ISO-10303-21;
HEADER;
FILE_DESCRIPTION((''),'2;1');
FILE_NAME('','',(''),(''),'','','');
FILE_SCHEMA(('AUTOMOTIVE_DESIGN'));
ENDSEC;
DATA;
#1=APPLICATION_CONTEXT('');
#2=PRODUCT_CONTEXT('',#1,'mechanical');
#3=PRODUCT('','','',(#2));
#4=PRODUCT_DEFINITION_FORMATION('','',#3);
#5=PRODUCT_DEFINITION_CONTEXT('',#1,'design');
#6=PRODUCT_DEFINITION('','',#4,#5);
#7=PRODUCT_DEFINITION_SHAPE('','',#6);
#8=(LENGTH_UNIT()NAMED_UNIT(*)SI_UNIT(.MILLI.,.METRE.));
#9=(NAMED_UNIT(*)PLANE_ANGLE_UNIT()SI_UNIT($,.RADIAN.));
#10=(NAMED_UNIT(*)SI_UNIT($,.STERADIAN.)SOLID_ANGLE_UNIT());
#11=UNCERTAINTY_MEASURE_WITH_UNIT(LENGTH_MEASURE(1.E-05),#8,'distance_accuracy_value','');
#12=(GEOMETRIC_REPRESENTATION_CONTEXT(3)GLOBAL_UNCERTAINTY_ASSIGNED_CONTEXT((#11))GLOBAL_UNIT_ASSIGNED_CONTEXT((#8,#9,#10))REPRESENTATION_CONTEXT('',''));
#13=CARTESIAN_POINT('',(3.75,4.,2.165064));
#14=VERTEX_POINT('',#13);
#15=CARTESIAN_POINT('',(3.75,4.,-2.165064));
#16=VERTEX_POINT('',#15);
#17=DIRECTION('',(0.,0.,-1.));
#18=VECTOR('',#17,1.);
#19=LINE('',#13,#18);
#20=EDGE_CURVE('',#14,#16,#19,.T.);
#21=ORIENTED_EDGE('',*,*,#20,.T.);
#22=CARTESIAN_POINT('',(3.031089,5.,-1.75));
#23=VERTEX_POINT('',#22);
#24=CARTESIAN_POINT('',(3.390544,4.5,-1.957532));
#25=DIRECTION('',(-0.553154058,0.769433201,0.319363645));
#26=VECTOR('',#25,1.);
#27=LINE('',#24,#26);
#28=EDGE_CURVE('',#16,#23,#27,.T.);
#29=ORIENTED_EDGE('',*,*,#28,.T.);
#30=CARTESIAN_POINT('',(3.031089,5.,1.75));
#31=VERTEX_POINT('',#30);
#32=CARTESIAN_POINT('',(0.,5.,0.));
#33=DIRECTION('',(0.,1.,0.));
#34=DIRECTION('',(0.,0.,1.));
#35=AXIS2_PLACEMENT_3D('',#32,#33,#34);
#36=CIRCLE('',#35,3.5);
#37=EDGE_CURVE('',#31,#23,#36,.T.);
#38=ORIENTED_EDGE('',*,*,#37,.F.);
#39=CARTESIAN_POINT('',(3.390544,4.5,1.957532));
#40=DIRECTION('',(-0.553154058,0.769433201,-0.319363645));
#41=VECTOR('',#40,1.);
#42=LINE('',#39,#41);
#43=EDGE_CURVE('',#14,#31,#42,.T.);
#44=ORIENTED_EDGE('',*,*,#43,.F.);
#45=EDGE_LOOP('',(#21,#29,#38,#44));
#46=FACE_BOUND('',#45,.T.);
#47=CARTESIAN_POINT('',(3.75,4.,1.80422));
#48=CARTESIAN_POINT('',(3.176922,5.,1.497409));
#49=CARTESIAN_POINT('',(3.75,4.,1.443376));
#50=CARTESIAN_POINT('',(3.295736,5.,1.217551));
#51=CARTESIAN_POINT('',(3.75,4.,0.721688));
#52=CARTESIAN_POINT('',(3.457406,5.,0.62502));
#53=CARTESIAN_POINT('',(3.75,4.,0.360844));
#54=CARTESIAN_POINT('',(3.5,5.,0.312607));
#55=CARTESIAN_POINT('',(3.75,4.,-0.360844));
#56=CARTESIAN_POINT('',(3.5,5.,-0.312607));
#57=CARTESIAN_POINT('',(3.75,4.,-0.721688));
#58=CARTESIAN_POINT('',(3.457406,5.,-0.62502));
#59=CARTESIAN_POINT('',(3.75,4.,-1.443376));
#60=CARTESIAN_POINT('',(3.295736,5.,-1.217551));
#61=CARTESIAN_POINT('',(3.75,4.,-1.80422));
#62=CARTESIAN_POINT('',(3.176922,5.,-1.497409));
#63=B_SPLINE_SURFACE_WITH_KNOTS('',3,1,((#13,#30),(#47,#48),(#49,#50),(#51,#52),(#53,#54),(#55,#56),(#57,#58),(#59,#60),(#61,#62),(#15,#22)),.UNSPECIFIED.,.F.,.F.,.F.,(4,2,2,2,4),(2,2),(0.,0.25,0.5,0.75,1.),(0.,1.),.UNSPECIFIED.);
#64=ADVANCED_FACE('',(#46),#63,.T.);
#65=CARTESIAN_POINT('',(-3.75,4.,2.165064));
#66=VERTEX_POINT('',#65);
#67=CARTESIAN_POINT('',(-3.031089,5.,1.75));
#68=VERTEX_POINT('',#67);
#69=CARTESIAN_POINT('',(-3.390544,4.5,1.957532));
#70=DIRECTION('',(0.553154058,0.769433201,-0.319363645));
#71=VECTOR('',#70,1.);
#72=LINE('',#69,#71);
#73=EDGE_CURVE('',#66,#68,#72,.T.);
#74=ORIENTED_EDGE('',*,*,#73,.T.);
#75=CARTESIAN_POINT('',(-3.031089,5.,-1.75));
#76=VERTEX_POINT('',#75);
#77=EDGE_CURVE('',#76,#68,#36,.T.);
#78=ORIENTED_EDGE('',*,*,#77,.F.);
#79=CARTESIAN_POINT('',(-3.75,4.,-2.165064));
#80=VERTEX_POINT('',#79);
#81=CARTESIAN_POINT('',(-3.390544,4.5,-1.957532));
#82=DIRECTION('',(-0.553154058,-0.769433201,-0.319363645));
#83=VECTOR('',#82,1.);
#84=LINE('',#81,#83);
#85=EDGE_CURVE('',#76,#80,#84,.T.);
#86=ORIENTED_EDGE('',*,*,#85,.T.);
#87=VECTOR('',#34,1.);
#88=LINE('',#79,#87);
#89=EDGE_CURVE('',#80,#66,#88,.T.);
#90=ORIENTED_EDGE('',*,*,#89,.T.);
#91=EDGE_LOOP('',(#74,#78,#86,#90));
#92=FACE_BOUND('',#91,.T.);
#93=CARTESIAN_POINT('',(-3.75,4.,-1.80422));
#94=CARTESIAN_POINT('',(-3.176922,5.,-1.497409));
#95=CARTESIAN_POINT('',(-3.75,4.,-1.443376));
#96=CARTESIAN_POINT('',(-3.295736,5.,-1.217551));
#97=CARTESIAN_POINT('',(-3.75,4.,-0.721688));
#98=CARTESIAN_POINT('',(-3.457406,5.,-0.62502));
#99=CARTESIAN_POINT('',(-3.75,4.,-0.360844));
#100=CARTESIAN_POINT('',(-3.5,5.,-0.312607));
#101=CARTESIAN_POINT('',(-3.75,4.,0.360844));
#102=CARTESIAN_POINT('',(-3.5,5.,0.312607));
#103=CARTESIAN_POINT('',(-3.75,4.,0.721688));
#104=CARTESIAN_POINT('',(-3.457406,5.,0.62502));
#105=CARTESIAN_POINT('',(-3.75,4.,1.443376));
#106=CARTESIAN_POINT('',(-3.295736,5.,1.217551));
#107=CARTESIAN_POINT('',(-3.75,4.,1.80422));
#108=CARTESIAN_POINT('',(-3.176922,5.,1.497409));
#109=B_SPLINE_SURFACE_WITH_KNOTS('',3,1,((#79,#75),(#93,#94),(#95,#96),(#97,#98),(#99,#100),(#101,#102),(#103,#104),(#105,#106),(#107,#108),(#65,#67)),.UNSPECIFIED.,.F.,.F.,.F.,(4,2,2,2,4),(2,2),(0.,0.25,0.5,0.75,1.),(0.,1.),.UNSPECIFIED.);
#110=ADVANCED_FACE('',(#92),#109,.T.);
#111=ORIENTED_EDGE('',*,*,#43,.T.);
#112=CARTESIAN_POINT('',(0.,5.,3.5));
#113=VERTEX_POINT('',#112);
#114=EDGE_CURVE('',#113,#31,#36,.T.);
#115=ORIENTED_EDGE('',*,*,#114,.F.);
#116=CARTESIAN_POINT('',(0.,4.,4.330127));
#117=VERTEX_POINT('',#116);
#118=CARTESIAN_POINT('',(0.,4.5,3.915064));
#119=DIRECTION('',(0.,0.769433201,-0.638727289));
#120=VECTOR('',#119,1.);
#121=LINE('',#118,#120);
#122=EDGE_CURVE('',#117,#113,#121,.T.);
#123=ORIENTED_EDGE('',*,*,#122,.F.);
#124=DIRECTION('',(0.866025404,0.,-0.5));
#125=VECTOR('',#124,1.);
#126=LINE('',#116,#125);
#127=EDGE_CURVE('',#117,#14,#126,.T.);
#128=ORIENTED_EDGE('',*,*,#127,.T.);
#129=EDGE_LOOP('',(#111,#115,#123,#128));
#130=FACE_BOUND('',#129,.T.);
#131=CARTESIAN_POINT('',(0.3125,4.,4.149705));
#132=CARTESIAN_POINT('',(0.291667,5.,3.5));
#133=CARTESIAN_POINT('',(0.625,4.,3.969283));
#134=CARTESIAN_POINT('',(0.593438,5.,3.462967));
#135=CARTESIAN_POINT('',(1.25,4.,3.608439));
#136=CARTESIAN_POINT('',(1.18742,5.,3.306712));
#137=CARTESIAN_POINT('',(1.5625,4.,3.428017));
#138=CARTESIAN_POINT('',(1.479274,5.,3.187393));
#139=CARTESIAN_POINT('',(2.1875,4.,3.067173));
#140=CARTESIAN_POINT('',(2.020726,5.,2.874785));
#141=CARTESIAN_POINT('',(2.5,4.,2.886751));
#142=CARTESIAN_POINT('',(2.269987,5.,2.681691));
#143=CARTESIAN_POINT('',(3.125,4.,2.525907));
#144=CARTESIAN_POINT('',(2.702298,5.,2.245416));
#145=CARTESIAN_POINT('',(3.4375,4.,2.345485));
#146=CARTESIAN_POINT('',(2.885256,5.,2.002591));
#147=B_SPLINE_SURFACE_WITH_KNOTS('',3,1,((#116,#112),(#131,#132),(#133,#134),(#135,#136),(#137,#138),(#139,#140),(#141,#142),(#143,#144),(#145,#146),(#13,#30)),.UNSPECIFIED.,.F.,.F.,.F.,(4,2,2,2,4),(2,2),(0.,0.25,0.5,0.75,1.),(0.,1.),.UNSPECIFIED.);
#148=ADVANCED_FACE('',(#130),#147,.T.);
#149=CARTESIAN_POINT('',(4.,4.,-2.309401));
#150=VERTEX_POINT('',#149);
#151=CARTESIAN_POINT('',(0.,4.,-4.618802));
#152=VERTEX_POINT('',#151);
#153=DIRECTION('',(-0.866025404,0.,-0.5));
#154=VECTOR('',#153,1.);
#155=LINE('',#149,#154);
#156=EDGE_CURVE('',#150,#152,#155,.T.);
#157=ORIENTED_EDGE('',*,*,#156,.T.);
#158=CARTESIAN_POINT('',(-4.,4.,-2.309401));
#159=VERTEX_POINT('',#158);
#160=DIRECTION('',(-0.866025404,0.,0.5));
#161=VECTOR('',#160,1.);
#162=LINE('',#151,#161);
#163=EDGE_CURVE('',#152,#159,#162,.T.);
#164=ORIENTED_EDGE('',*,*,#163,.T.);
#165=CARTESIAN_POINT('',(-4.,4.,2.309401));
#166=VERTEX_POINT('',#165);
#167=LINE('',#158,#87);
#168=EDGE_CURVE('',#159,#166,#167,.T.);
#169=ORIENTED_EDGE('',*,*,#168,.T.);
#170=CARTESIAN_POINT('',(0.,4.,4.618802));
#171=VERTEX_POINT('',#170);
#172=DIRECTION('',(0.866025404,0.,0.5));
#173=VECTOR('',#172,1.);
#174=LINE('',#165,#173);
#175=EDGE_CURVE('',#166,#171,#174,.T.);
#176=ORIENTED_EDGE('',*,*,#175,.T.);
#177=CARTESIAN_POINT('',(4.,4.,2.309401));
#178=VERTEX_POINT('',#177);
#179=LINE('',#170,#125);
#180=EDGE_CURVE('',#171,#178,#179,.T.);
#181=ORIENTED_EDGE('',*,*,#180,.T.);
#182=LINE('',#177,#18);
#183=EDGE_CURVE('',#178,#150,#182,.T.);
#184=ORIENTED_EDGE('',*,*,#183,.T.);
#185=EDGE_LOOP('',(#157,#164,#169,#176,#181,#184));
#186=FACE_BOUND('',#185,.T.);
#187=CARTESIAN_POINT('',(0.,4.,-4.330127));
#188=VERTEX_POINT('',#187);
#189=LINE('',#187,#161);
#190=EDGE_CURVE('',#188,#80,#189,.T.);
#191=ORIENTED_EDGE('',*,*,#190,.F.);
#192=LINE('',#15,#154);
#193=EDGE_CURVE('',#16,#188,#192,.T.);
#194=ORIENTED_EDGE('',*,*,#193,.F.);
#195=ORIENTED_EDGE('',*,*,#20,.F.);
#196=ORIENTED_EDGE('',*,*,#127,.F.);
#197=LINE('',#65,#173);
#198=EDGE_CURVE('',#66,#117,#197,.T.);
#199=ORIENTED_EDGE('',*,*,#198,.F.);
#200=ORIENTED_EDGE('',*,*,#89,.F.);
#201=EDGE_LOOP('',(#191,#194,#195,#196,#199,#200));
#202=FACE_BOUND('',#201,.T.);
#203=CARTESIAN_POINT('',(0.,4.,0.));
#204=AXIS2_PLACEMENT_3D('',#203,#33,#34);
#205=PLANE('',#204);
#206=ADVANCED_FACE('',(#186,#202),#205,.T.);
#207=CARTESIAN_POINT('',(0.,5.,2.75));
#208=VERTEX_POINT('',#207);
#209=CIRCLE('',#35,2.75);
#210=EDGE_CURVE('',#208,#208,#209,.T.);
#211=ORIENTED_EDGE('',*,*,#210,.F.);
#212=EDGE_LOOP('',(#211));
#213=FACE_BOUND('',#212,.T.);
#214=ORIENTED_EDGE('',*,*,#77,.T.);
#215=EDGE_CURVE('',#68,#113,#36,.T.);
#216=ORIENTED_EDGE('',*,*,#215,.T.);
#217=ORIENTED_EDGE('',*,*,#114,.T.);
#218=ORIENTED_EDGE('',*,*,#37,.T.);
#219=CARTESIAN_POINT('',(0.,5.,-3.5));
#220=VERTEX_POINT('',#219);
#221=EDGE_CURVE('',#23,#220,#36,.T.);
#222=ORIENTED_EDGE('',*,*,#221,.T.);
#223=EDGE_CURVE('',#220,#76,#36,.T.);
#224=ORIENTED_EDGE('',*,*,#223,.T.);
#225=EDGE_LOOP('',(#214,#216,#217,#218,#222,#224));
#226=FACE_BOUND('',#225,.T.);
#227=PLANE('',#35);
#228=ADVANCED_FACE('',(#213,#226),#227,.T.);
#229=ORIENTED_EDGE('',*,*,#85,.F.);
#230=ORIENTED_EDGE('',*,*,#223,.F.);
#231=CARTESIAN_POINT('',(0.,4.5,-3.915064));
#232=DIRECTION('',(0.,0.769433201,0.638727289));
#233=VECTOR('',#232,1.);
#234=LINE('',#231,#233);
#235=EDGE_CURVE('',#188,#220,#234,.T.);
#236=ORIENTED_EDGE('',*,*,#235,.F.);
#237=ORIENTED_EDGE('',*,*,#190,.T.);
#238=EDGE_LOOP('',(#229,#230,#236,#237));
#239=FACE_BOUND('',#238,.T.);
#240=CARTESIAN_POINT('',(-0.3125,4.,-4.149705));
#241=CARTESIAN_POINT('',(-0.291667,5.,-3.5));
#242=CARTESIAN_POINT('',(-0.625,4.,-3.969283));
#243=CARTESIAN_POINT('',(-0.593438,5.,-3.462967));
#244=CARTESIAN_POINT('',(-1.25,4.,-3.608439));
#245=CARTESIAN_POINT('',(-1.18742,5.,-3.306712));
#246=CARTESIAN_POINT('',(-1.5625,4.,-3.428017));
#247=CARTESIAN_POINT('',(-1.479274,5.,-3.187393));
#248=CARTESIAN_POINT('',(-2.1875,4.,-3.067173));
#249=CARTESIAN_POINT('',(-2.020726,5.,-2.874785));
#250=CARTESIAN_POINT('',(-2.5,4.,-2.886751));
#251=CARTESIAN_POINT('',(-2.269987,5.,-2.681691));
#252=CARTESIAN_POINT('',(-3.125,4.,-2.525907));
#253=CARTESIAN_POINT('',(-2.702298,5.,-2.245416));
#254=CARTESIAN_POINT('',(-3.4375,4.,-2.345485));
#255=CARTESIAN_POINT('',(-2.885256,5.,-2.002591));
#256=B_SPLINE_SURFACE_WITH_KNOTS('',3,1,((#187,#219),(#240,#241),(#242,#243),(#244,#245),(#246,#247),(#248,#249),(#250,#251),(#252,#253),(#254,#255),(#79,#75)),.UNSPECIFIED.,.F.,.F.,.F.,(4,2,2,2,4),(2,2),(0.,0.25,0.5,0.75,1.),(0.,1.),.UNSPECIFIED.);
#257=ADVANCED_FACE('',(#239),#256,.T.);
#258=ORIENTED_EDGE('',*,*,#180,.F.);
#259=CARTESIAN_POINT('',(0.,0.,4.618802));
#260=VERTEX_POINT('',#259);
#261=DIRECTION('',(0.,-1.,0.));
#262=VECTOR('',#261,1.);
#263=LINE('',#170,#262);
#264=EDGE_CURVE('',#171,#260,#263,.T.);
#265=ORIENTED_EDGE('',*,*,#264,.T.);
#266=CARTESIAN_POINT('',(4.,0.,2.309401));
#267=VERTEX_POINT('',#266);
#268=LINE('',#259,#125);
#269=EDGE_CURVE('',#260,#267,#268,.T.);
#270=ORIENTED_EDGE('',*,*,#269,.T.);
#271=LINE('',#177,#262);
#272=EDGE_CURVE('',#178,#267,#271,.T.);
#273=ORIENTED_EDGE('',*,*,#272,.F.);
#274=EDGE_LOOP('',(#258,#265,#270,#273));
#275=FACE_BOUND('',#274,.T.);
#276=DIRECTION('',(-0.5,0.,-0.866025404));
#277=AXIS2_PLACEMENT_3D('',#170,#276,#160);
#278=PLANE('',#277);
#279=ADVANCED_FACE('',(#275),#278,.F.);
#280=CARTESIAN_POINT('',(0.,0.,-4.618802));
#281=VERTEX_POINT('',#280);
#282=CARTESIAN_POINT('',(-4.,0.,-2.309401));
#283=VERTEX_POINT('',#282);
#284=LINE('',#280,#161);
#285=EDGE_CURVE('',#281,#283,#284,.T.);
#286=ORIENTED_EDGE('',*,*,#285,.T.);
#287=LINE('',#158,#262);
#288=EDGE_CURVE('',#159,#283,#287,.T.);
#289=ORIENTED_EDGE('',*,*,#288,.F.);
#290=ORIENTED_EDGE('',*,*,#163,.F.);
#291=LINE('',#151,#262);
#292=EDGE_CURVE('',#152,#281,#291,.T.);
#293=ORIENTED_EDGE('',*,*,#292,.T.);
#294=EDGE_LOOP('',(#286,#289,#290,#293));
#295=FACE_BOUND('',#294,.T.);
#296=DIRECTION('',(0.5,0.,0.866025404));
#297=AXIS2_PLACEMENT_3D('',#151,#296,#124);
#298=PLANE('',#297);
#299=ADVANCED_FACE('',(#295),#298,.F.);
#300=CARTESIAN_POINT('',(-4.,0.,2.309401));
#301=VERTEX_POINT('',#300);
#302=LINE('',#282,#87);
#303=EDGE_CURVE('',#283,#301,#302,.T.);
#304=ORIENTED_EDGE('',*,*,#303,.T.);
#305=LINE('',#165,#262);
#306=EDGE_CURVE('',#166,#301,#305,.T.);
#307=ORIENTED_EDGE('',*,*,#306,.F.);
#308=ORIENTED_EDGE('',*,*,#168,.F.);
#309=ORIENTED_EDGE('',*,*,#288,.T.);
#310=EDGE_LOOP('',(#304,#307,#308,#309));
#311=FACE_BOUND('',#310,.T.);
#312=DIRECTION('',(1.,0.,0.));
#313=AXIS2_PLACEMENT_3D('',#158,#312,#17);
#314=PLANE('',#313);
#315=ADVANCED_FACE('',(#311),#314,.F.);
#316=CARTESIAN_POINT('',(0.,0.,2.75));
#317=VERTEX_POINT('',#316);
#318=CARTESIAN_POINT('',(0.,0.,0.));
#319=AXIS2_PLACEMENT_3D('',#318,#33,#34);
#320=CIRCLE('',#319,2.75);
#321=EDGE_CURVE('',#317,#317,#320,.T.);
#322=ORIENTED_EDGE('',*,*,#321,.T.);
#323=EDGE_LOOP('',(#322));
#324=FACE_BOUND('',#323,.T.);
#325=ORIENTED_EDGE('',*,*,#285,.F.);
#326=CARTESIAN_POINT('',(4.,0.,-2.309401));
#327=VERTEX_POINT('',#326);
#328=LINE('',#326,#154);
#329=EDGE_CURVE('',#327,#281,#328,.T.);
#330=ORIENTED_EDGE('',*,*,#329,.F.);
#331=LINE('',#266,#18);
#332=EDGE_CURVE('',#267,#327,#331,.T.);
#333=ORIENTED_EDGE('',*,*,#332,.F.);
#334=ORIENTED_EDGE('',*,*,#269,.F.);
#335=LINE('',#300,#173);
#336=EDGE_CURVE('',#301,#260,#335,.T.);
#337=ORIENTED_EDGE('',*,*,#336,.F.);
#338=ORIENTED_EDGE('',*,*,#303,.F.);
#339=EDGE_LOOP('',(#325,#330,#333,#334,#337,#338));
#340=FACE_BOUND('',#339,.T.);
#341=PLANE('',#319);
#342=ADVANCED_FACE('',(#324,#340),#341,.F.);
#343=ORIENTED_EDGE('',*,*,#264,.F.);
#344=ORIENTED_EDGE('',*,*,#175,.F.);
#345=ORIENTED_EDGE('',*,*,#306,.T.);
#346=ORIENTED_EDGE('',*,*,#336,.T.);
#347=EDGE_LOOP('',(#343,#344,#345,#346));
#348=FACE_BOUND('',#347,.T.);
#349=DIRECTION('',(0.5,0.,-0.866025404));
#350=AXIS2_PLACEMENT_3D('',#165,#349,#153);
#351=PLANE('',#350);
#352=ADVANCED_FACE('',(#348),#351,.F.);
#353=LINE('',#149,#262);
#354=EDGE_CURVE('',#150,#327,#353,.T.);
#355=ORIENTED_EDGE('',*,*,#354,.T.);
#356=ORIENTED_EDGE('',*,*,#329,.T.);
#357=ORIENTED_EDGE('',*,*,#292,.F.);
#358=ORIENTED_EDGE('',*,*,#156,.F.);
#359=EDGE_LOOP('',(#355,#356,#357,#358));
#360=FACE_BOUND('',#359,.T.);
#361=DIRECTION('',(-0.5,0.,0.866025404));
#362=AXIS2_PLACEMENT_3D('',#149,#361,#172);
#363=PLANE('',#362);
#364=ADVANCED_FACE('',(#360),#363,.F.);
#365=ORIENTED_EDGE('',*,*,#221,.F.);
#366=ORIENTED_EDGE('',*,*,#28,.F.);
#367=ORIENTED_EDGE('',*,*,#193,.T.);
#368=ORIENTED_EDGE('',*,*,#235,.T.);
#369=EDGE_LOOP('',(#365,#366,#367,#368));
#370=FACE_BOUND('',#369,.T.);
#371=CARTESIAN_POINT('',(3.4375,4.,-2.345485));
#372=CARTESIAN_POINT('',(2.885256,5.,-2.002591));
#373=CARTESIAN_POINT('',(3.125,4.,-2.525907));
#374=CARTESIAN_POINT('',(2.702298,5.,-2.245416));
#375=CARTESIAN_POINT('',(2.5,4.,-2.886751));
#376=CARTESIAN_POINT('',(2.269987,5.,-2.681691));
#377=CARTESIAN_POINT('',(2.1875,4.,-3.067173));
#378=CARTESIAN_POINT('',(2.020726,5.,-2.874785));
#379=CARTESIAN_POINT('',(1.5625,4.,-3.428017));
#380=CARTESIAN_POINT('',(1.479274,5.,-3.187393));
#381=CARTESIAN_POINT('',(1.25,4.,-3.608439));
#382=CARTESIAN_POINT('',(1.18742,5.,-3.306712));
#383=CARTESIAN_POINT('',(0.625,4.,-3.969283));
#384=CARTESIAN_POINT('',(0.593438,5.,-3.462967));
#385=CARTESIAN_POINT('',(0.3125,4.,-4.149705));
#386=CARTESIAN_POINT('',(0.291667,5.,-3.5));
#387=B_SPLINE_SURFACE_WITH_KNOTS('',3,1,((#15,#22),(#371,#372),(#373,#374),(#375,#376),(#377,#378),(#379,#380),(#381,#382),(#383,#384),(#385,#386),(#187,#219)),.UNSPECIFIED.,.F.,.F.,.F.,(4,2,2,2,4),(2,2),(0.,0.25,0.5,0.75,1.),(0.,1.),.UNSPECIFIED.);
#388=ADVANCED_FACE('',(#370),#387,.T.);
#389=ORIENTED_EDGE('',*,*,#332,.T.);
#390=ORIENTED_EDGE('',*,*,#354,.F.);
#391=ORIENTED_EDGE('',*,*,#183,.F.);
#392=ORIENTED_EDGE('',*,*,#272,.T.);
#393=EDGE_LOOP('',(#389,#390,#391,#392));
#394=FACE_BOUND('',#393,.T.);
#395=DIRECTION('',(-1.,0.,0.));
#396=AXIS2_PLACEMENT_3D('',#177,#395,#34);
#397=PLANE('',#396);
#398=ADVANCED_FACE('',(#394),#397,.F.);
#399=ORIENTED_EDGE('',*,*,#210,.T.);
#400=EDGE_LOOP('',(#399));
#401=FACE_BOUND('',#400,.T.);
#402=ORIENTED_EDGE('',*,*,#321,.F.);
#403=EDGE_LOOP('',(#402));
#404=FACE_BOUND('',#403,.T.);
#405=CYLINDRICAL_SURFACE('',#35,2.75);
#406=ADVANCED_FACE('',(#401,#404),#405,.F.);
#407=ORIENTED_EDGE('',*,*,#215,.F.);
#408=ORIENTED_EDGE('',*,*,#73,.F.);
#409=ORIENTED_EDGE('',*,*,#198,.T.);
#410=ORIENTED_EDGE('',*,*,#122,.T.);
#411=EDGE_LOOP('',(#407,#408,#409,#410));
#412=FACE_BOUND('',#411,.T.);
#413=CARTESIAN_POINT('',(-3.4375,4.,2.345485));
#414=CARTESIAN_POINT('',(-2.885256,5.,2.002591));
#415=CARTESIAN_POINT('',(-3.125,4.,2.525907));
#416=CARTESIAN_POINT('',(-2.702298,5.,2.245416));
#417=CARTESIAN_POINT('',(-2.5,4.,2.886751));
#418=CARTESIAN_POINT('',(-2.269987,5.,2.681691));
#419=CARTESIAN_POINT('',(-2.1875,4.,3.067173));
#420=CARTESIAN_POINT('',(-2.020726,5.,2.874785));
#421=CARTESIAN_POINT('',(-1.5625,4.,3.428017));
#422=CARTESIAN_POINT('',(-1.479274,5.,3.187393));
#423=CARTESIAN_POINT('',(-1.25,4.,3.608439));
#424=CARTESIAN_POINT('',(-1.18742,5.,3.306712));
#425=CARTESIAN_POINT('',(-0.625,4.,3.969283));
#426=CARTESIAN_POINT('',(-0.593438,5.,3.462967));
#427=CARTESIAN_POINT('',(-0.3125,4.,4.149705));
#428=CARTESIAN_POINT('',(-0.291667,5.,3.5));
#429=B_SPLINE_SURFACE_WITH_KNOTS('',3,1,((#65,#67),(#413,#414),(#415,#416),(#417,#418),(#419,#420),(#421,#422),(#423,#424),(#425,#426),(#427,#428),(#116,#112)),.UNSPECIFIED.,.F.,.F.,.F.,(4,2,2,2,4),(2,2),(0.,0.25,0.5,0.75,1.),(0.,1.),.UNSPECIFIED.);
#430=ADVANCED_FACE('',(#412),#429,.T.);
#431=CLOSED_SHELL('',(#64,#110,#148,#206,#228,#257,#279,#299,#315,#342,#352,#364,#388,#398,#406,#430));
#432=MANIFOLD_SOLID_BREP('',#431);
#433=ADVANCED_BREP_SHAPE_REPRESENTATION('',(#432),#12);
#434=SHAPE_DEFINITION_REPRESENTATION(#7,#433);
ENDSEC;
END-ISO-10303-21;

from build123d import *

# Parameters (mm, degrees)
BODY_DEPTH           = 4
M5_CLEARANCE_HOLE2_D = 5.5


with BuildPart() as part:
    # Sketch1 → Body (new body)
    with BuildSketch(Plane(origin=(0, 0, 0), x_dir=(1, 0, 0), z_dir=(0, 1, 0))):
        Polygon((0, 4.618802154), (-4, 2.309401077), (-4, -2.309401077), (0, -4.618802154), (4, -2.309401077), (4, 2.309401077), align=None)
    extrude(amount=BODY_DEPTH)

    # Sketch5 → Loft1 section 0
    with BuildSketch(Plane(origin=(0, 4, 0), x_dir=(1, 0, 0), z_dir=(0, 1, 0))):
        with BuildLine():
            Line((3.75, 2.165063509), (0, 4.330127019))
            Line((0, 4.330127019), (-3.75, 2.165063509))
            Line((-3.75, 2.165063509), (-3.75, -2.165063509))
            Line((-3.75, -2.165063509), (0, -4.330127019))
            Line((0, -4.330127019), (3.75, -2.165063509))
            Line((3.75, -2.165063509), (3.75, 2.165063509))
        make_face()
    # Sketch4 for Loft1 → Loft1 section 1
    with BuildSketch(Plane(origin=(0, 5, 0), x_dir=(1, 0, 0), z_dir=(0, 1, 0))):
        with BuildLine():
            # circular arc as an exact rational Bezier (weights 1, cos(half-angle), 1)
            Bezier((3.031088913, 1.75), (2.020725942, 3.5), (0, 3.5), weights=[1, 0.866025404, 1])
            Bezier((0, 3.5), (-2.020725942, 3.5), (-3.031088913, 1.75), weights=[1, 0.866025404, 1])
            Bezier((-3.031088913, 1.75), (-4.041451885, 0), (-3.031088913, -1.75), weights=[1, 0.866025404, 1])
            Bezier((-3.031088913, -1.75), (-2.020725942, -3.5), (0, -3.5), weights=[1, 0.866025404, 1])
            Bezier((0, -3.5), (2.020725942, -3.5), (3.031088913, -1.75), weights=[1, 0.866025404, 1])
            Bezier((3.031088913, -1.75), (4.041451885, 0), (3.031088913, 1.75), weights=[1, 0.866025404, 1])
        make_face()
    loft()

    # M5 Clearance Hole2 (through all)
    with Locations(Plane(origin=(0, 5, 0), x_dir=(1, 0, 0), z_dir=(0, 1, 0))):
        with Locations((0, 0)):
            Hole(M5_CLEARANCE_HOLE2_D / 2)


solid = part.part
